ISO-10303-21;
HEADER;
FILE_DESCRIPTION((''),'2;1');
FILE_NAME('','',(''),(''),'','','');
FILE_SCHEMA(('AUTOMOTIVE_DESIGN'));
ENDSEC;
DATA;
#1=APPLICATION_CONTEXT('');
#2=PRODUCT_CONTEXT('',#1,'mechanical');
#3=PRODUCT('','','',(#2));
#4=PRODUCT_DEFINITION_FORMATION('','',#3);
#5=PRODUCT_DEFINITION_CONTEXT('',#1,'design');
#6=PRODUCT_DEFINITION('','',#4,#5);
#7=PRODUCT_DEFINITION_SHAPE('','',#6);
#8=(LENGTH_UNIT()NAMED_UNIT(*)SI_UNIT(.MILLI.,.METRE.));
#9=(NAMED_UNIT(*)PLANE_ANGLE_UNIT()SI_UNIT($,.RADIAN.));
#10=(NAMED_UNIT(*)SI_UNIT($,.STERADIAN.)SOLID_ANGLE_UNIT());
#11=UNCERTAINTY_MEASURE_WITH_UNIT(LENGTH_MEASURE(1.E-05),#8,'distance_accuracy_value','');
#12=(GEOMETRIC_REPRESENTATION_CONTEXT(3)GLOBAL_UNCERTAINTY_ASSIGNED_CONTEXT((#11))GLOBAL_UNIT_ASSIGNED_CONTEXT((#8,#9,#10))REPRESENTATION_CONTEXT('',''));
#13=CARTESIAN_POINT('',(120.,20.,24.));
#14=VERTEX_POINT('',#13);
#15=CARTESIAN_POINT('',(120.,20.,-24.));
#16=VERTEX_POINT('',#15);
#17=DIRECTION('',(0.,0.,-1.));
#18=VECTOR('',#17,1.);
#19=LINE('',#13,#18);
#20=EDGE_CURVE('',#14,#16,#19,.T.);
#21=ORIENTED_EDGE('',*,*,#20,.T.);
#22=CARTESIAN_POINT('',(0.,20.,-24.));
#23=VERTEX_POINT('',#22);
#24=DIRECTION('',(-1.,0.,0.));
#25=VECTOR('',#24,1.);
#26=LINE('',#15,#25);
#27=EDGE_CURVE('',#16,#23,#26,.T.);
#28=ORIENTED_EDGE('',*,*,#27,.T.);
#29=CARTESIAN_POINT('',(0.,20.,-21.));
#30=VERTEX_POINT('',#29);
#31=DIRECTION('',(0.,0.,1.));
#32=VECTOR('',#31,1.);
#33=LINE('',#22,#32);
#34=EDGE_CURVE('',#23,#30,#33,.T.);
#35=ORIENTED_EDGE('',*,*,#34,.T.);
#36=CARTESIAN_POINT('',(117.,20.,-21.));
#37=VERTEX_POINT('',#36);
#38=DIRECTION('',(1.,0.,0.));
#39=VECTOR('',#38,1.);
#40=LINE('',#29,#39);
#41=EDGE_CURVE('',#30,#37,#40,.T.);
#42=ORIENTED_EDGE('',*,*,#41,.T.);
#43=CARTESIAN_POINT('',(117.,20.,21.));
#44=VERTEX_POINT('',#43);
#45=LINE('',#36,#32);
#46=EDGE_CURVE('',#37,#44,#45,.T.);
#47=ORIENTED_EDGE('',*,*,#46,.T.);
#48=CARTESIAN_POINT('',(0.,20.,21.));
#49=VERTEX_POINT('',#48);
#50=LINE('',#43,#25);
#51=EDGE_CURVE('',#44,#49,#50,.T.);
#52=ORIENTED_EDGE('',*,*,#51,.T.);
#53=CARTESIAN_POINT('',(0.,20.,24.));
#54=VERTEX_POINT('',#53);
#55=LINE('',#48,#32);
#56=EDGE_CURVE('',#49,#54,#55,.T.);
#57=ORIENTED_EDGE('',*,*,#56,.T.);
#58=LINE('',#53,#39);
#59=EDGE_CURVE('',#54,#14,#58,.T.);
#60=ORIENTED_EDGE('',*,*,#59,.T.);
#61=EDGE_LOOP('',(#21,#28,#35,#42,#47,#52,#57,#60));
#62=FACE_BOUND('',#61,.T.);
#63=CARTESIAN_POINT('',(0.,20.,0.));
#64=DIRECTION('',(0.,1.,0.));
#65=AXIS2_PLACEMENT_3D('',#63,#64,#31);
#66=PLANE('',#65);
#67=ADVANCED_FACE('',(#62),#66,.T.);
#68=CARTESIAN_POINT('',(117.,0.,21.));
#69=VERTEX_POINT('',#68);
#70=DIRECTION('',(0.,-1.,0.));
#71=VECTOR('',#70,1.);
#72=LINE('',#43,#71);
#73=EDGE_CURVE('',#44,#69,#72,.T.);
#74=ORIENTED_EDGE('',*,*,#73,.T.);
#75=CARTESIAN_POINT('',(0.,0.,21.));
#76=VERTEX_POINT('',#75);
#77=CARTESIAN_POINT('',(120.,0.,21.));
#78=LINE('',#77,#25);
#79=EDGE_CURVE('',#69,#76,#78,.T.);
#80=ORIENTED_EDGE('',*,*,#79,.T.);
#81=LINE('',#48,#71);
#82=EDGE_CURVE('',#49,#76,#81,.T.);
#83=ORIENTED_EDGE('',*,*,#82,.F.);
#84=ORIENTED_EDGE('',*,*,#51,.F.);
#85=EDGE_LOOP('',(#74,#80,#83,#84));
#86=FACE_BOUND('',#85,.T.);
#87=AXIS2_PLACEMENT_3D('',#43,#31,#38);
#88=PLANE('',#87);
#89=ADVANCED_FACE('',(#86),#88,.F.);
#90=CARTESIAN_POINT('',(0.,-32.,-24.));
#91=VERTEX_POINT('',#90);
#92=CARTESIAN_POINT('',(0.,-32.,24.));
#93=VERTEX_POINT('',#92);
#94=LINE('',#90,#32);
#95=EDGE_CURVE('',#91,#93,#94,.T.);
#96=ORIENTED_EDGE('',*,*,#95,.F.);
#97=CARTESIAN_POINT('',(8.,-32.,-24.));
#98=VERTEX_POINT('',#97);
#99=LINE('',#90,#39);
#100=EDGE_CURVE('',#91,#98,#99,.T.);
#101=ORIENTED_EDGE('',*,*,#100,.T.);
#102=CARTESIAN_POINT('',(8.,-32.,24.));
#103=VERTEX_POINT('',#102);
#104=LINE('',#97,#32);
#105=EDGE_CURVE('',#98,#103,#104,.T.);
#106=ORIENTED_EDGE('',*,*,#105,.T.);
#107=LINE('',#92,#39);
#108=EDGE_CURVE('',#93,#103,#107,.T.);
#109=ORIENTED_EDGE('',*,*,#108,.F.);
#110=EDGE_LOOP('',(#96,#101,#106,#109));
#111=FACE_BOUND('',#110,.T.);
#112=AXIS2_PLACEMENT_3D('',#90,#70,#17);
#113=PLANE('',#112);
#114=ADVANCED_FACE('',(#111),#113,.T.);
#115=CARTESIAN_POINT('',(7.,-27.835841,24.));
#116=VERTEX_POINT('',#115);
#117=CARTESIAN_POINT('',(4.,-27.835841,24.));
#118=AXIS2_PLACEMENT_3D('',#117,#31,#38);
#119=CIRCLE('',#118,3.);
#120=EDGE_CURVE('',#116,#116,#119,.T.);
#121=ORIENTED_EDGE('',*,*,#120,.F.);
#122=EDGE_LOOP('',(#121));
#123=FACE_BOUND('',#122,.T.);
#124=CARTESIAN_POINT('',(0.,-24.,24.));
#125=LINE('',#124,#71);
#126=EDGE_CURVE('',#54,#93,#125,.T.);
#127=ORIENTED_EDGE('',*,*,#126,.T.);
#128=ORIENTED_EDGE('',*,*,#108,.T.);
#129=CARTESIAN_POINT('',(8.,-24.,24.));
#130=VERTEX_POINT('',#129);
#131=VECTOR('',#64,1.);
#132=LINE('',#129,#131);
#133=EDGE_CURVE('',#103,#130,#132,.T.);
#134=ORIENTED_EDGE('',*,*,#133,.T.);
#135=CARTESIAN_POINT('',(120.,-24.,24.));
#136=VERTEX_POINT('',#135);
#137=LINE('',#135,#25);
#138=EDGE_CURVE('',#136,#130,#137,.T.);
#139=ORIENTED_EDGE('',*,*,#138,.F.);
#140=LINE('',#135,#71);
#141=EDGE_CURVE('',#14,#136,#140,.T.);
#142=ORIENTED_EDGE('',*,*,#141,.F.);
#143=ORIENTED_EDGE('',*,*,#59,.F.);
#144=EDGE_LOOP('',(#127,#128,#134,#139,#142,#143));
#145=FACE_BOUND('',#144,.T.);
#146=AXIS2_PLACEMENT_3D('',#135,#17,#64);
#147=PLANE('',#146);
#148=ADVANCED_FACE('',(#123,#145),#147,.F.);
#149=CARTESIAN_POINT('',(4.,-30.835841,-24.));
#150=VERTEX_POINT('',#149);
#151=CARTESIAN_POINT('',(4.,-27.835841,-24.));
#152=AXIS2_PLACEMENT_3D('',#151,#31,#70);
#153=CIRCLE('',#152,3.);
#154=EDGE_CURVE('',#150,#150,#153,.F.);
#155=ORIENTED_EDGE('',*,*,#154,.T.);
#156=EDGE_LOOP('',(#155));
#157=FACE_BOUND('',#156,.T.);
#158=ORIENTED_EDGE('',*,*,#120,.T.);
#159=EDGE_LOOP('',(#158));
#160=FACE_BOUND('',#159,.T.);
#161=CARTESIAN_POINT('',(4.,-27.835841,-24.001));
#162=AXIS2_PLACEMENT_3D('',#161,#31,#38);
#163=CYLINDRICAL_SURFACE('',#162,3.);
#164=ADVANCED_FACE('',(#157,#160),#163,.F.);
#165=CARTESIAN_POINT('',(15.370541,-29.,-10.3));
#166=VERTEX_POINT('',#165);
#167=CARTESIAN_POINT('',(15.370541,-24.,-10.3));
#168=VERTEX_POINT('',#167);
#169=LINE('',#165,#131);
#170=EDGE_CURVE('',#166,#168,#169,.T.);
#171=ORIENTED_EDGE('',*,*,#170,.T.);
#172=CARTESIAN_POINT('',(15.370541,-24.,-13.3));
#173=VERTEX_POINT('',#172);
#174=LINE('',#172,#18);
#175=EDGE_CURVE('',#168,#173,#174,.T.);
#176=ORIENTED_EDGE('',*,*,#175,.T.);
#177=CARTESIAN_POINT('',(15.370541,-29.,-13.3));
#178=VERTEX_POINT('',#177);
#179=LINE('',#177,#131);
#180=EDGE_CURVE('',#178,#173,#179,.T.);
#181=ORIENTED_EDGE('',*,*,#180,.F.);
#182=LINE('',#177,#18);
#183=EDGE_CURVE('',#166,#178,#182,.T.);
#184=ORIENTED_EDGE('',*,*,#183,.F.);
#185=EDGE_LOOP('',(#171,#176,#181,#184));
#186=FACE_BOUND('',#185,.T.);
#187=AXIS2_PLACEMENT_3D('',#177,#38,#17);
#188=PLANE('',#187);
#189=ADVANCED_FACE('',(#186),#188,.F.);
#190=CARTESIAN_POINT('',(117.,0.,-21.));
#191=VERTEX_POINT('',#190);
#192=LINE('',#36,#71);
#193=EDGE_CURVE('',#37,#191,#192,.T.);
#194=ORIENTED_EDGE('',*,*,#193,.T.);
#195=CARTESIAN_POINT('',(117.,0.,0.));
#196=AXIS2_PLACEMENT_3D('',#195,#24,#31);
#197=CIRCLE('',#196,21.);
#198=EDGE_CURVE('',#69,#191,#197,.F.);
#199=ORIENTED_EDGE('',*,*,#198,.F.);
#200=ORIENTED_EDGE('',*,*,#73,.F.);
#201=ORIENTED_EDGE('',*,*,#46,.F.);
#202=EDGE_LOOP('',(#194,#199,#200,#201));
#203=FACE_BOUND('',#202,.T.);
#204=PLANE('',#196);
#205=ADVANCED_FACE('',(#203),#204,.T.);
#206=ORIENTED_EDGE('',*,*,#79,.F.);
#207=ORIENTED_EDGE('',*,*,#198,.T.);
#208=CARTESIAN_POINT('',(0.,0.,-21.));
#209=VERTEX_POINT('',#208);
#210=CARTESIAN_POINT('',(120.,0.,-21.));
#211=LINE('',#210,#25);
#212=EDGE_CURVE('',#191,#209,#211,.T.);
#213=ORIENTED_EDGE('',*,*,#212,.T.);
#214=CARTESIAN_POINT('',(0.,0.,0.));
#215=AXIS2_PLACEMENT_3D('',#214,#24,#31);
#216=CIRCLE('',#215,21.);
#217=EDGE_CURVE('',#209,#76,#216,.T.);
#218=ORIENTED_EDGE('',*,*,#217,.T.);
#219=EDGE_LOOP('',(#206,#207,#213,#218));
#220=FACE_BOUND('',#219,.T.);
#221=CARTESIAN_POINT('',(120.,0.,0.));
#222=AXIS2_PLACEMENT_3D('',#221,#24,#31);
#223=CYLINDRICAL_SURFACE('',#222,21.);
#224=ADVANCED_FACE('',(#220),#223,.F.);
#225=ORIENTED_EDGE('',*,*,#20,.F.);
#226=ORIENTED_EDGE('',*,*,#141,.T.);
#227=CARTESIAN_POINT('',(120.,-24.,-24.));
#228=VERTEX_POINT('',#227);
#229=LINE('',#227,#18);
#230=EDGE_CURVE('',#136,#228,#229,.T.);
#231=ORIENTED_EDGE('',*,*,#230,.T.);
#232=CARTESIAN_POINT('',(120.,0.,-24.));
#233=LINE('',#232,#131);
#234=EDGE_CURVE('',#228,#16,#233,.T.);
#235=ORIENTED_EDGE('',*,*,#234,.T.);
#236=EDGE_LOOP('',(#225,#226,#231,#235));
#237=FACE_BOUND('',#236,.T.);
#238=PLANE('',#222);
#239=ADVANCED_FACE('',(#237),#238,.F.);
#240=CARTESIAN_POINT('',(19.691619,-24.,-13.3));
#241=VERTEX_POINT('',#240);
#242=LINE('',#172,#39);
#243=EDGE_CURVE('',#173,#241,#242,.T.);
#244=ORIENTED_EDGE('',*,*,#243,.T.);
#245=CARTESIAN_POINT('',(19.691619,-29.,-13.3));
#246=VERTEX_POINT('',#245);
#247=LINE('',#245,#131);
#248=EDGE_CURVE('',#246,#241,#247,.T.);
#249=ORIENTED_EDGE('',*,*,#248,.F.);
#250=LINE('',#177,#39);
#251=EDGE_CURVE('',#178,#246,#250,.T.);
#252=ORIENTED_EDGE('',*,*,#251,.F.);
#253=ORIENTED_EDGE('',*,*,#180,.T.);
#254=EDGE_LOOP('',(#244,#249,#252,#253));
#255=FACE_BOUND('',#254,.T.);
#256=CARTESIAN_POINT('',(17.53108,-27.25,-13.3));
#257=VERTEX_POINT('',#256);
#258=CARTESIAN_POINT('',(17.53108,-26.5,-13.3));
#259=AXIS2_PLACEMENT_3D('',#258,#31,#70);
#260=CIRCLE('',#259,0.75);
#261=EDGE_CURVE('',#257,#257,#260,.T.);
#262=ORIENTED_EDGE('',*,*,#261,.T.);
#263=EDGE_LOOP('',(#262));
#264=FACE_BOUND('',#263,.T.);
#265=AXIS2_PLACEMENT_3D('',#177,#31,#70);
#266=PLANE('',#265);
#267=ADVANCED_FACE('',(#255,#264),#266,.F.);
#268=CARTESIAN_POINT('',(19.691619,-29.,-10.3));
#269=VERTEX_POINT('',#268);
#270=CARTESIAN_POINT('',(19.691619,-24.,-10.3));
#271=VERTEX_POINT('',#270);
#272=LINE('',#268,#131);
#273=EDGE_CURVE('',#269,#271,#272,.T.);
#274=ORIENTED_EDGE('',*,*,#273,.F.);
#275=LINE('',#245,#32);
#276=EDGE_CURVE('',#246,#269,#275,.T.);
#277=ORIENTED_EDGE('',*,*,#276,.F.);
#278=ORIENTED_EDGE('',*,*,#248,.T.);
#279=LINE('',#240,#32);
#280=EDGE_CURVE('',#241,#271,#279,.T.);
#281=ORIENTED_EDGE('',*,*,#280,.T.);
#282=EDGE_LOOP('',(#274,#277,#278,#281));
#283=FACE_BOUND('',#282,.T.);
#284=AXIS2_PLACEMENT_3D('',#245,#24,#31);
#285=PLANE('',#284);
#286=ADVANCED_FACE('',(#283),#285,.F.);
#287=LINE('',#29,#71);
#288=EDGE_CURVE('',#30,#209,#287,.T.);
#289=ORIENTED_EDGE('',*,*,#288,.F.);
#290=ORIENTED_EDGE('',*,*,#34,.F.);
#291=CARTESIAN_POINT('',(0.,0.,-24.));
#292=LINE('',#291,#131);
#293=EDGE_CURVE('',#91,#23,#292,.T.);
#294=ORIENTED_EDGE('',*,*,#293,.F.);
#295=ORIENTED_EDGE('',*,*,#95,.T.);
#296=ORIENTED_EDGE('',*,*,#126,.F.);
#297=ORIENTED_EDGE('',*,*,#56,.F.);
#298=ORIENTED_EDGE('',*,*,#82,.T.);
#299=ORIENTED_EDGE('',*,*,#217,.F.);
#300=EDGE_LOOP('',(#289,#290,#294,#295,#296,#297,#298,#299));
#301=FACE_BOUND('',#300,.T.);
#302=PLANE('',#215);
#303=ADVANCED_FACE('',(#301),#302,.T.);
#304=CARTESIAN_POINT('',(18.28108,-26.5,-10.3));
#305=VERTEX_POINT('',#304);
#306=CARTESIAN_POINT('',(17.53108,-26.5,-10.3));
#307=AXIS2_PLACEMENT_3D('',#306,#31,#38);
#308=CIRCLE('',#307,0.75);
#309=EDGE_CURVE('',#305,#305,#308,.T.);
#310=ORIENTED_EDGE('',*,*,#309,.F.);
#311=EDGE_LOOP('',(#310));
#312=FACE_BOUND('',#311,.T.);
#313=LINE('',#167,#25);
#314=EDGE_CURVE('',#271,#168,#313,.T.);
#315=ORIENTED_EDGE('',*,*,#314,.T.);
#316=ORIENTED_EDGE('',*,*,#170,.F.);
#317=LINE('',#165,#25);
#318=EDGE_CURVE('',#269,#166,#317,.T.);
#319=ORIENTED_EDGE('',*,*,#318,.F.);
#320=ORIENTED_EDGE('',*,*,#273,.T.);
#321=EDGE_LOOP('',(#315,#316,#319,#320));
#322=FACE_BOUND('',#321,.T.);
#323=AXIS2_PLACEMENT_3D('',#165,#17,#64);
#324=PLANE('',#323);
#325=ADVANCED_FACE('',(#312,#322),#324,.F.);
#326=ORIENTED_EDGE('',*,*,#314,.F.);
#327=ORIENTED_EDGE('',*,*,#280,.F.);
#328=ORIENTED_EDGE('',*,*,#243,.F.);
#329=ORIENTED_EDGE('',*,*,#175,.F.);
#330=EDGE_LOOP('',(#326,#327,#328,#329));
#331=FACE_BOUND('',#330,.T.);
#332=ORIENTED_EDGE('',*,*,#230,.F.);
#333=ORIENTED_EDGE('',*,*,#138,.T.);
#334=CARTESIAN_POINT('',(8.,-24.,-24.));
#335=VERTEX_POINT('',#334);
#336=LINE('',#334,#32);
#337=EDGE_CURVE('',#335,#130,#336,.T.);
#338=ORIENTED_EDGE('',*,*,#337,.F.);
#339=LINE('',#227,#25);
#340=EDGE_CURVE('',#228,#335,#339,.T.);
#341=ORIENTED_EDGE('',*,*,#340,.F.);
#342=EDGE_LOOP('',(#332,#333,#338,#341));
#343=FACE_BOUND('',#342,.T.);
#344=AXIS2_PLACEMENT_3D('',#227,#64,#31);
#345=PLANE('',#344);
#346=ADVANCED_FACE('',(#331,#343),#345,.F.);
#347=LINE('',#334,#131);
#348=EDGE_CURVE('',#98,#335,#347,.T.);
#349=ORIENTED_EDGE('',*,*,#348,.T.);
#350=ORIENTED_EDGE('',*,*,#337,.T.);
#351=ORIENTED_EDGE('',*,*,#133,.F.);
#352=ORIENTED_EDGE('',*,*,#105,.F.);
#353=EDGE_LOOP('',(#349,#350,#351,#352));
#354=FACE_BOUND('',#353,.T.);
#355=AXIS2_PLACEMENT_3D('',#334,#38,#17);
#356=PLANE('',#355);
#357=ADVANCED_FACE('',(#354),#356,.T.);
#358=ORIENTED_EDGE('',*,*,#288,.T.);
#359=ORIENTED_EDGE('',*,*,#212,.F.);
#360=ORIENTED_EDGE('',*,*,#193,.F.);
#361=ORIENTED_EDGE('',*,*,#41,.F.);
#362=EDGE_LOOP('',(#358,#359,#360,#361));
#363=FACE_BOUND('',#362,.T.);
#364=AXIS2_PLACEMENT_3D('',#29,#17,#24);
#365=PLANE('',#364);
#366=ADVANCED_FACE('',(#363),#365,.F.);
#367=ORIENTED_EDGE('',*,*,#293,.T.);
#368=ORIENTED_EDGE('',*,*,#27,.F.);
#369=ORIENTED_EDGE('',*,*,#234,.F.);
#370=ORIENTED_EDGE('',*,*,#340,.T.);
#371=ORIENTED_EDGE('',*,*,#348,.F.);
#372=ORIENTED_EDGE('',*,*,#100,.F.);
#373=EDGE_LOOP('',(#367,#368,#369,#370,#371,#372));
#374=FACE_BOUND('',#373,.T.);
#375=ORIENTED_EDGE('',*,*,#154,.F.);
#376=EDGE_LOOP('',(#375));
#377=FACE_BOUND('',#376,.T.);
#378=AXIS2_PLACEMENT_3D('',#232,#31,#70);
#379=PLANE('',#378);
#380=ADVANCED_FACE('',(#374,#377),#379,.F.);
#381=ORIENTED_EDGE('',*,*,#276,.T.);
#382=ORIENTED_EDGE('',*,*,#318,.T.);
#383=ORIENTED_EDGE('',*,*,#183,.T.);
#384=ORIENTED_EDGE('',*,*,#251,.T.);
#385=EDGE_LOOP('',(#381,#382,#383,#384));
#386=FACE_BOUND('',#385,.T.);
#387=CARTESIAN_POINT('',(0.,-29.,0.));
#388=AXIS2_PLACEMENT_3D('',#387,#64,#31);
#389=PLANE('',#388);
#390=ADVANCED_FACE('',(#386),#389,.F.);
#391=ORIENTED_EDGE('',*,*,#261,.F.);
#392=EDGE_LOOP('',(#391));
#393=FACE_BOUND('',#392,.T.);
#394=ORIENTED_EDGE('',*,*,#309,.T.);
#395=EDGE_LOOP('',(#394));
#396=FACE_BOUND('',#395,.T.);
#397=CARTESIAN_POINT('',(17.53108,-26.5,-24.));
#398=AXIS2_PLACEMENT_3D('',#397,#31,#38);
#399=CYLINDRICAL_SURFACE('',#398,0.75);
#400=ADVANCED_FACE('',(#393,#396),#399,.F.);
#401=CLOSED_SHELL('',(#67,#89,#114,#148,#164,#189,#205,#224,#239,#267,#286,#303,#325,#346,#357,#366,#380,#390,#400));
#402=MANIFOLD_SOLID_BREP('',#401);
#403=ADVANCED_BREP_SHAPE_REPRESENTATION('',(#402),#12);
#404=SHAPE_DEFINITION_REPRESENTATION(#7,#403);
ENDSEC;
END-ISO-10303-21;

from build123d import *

# Parameters (mm, degrees)
BOSS_EXTRUDE1_DEPTH = 120
SKETCH2_W           = 8
SKETCH2_H           = 8
BOSS_EXTRUDE2_DEPTH = 48
CUT_EXTRUDE1_REACH  = 135.147
SKETCH3_R           = 3
SKETCH4_W           = 48
SKETCH4_H           = 24
BOSS_EXTRUDE3_DEPTH = 3
SKETCH5_W           = 4.321078357
SKETCH5_H           = 3
BOSS_EXTRUDE4_DEPTH = 5
SKETCH6_R           = 0.75
CUT_EXTRUDE2_DEPTH  = 129.842888822
BOSS_EXTRUDE5_DEPTH = 20


with BuildPart() as part:
    # Sketch1 → Boss-Extrude1 (new body)
    with BuildSketch(Plane(origin=(0, 0, 0), x_dir=(0, 0, -1), z_dir=(1, 0, 0))):
        with BuildLine():
            Line((21, 0), (24, 0))
            Line((24, 0), (24, -24))
            Line((24, -24), (-24, -24))
            Line((-24, -24), (-24, 0))
            Line((-24, 0), (-21, 0))
            ThreePointArc((-21, 0), (0, -21), (21, 0))
        make_face()
    extrude(amount=BOSS_EXTRUDE1_DEPTH)

    # Sketch2 → Boss-Extrude2 (add)
    with BuildSketch(Plane.XY.offset(24)):
        with Locations((4, -28)):
            Rectangle(SKETCH2_W, SKETCH2_H)
    extrude(amount=-BOSS_EXTRUDE2_DEPTH)

    # Sketch3 → Cut-Extrude1 (cut, up to next)
    with BuildSketch(Plane.XY.offset(24), mode=Mode.PRIVATE) as cut_extrude1_sk1:
        with Locations((4, -27.835840809)):
            Circle(SKETCH3_R)
    cut_extrude1_tool1 = extrude(cut_extrude1_sk1.sketch, amount=-CUT_EXTRUDE1_REACH, mode=Mode.PRIVATE) & part.part
    add(cut_extrude1_tool1.solids().sort_by_distance((4, -27.835841, 24))[0], mode=Mode.SUBTRACT)

    # Sketch4 → Boss-Extrude3 (add)
    with BuildSketch(Plane(origin=(120, 0, 0), x_dir=(0, 0, -1), z_dir=(1, 0, 0))):
        with Locations((0, -12)):
            Rectangle(SKETCH4_W, SKETCH4_H)
    extrude(amount=-BOSS_EXTRUDE3_DEPTH)

    # Sketch5 → Boss-Extrude4 (add)
    with BuildSketch(Plane.XZ.offset(24)):
        with Locations((17.531080317, -11.8)):
            Rectangle(SKETCH5_W, SKETCH5_H)
    extrude(amount=BOSS_EXTRUDE4_DEPTH)

    # Sketch6 → Cut-Extrude2 (cut, through all)
    with BuildSketch(Plane.XY.offset(-10.3)):
        with Locations((17.531080317, -26.5)):
            Circle(SKETCH6_R)
    extrude(amount=-CUT_EXTRUDE2_DEPTH, mode=Mode.SUBTRACT)

    # Sketch7 → Boss-Extrude5 (add)
    with BuildSketch(Plane(origin=(0, 0, 0), x_dir=(1, 0, 0), z_dir=(0, 1, 0))):
        Polygon((120, 24), (0, 24), (0, 21), (117, 21), (117, -21), (0, -21), (0, -24), (120, -24), align=None)
    extrude(amount=BOSS_EXTRUDE5_DEPTH)


solid = part.part
